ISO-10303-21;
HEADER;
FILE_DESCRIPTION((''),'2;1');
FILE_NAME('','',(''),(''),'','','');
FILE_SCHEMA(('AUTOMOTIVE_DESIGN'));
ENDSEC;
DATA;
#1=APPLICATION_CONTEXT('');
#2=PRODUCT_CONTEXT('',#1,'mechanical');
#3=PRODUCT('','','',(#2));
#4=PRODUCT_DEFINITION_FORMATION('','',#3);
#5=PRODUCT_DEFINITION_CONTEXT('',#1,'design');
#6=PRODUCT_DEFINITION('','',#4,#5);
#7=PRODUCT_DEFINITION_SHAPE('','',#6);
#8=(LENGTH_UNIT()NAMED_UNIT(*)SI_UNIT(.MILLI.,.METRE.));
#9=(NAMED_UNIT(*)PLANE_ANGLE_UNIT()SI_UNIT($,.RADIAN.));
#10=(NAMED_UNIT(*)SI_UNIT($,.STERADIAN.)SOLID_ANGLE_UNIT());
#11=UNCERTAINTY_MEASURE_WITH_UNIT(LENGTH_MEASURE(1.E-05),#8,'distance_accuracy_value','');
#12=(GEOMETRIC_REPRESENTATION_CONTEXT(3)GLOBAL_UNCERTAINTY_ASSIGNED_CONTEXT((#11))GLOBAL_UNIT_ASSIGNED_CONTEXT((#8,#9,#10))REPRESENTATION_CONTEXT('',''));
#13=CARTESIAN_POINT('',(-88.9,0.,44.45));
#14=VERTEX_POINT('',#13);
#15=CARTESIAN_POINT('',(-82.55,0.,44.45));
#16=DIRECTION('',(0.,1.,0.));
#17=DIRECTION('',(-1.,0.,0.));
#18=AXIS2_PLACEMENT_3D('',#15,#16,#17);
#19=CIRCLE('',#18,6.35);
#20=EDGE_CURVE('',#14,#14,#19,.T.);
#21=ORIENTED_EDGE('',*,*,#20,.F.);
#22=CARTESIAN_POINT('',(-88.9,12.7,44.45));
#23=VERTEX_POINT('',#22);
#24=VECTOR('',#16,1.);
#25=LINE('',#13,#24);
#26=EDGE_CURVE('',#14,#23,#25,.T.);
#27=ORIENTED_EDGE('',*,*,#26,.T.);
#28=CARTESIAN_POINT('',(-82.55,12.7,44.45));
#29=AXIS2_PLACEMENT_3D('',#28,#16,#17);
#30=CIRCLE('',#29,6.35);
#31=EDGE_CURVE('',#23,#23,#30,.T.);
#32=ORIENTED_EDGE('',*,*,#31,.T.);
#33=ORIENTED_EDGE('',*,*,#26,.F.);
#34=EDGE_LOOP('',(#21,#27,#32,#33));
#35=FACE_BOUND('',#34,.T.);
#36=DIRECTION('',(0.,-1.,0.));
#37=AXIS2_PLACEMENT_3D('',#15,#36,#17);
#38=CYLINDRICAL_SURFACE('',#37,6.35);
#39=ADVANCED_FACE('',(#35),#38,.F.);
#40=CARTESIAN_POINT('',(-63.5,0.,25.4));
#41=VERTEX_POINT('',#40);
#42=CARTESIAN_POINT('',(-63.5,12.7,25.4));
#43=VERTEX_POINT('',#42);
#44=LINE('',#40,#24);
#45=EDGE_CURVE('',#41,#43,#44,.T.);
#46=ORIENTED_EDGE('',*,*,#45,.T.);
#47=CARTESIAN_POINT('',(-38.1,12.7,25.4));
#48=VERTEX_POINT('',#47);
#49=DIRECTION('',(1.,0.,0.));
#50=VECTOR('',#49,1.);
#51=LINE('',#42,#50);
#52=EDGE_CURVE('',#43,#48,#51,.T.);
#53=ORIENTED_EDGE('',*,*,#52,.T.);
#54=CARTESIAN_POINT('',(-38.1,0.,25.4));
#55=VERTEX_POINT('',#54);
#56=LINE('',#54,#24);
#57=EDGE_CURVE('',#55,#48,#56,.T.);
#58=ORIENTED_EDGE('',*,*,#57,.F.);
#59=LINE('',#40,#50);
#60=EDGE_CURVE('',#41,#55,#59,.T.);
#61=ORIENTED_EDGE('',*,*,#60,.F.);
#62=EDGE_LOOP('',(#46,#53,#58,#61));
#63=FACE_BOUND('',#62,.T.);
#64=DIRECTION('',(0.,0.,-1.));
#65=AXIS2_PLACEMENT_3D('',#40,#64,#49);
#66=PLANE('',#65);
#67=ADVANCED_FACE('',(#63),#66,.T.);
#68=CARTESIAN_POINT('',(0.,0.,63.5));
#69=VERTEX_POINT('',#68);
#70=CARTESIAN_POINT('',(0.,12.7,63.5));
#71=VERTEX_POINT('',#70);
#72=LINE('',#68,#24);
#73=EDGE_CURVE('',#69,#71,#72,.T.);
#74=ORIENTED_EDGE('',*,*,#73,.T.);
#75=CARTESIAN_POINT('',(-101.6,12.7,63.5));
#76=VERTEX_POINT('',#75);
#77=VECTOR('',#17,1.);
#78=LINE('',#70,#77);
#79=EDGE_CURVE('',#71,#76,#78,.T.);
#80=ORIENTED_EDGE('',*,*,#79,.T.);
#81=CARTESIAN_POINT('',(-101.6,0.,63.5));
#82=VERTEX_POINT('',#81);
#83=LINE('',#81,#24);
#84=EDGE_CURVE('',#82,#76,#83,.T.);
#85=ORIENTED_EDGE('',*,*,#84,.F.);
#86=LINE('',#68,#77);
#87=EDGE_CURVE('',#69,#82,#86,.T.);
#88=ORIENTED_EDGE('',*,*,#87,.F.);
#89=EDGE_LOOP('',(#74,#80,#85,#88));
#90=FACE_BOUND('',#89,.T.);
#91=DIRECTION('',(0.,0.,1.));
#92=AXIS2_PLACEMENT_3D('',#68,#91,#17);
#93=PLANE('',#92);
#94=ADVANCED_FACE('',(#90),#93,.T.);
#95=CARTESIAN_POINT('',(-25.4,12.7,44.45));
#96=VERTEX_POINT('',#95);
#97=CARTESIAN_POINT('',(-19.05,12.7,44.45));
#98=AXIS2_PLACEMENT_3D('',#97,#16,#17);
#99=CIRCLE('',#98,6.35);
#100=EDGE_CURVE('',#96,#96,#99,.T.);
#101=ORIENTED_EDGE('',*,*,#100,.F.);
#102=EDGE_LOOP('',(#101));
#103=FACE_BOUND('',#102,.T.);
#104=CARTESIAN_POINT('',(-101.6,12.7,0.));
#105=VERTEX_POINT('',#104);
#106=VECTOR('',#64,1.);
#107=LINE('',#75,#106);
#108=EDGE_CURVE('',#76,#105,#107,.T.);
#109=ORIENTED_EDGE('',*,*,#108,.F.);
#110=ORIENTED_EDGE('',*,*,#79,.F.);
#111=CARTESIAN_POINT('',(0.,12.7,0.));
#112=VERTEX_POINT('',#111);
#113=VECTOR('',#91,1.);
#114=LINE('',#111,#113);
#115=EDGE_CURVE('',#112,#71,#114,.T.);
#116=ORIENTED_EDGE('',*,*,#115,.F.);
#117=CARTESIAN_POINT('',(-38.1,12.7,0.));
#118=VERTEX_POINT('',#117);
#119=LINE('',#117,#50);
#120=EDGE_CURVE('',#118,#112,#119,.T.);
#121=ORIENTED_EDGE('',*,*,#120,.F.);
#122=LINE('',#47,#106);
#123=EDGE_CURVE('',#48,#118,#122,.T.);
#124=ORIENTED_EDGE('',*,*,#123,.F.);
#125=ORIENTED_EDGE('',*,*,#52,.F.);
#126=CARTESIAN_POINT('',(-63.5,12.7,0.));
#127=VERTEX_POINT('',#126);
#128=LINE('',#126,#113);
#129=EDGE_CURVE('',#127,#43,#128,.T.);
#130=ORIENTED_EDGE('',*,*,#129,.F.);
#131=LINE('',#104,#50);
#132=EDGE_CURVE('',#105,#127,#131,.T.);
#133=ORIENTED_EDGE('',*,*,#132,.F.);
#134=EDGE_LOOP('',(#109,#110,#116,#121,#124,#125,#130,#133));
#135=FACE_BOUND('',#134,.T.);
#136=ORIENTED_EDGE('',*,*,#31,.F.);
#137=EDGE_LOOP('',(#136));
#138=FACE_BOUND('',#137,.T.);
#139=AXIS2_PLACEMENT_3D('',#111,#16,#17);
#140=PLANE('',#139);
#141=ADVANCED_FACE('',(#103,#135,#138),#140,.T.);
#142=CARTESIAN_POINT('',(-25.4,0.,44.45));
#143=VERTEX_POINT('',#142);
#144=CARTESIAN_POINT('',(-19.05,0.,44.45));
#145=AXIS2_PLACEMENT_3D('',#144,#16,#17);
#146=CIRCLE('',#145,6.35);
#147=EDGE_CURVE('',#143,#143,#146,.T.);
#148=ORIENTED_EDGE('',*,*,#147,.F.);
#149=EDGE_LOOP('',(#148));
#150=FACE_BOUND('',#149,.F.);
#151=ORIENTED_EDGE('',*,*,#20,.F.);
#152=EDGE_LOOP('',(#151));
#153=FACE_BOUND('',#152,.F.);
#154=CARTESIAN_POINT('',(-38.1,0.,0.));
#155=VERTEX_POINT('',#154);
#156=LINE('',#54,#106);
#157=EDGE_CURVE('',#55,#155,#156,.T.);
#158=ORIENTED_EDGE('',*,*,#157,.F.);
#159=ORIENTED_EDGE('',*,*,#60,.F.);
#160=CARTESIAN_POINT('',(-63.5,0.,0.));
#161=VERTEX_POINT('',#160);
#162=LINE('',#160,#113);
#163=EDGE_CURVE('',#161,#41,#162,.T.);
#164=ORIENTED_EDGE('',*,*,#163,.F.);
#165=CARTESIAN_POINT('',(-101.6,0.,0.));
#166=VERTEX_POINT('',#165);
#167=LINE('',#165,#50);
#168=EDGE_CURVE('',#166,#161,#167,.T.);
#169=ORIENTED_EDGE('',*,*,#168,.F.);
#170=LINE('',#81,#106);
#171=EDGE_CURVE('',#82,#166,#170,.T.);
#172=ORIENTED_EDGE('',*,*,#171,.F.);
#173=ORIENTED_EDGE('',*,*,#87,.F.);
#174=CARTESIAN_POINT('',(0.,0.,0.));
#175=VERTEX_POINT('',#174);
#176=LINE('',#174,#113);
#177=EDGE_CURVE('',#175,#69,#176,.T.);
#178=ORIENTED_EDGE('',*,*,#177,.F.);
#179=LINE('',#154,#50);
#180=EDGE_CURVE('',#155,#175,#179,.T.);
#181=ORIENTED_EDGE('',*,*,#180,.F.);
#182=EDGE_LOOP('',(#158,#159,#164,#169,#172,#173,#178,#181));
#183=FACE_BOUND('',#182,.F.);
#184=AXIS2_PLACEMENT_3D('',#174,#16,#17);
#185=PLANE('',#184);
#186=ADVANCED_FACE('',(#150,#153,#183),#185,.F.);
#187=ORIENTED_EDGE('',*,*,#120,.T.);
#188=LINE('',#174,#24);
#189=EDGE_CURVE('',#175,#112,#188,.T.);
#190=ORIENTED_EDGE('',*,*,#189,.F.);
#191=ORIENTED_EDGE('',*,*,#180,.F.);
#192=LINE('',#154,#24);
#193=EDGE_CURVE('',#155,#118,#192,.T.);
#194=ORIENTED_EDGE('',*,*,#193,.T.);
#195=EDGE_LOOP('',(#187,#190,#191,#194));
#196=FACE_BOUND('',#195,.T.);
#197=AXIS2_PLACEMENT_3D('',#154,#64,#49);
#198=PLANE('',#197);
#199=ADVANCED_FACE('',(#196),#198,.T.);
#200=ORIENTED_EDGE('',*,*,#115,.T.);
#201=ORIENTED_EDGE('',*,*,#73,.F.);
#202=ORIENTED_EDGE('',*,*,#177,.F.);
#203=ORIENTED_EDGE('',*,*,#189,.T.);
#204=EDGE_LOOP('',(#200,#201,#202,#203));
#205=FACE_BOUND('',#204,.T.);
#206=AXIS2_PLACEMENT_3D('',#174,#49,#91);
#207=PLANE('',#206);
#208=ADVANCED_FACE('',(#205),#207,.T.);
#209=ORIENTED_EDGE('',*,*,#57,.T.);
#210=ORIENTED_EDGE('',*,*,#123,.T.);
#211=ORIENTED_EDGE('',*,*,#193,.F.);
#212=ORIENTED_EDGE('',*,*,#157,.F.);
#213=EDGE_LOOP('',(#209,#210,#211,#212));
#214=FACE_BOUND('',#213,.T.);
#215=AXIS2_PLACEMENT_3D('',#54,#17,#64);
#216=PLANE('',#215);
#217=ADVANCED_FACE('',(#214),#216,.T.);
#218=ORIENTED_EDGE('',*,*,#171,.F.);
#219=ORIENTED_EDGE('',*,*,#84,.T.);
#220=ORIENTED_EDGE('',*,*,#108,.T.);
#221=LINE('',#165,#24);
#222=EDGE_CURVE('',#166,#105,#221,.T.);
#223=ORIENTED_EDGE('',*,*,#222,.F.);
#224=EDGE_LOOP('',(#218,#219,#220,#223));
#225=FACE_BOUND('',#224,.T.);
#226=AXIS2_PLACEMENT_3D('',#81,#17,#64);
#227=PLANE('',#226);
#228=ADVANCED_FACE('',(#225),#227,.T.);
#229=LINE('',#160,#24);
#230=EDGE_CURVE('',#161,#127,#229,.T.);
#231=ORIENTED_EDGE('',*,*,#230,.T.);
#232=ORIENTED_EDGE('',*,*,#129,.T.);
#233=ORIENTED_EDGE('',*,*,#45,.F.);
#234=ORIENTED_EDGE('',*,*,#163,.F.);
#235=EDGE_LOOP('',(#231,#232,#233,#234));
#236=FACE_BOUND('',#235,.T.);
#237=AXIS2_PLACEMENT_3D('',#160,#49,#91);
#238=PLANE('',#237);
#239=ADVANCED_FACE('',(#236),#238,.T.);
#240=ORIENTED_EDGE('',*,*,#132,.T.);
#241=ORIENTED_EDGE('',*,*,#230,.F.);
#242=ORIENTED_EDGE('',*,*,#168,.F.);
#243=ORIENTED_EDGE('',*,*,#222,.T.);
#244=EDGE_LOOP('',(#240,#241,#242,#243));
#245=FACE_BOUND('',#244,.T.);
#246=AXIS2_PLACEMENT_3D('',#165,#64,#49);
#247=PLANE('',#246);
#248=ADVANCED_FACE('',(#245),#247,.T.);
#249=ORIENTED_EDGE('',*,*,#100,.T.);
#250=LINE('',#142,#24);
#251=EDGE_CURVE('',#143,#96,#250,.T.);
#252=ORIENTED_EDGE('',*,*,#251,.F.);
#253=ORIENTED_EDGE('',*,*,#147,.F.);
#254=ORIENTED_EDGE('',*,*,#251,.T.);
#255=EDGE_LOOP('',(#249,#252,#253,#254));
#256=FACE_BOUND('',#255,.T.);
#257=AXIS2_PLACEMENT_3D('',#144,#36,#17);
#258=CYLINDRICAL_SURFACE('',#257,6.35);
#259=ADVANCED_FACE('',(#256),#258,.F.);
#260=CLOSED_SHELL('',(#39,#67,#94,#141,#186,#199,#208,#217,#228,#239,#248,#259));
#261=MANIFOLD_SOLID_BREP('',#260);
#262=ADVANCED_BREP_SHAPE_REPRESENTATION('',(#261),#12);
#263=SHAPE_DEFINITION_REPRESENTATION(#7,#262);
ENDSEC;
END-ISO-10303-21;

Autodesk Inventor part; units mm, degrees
ref_plane "YZ Plane" through (0, 0, 0) normal (1, 0, 0) x (0, 1, 0)
ref_plane "XZ Plane" through (0, 0, 0) normal (0, 1, 0) x (-1, 0, 0)
ref_plane "XY Plane" through (0, 0, 0) normal (0, 0, 1) x (1, 0, 0)
sketch "Sketch1" plane through (0, 0, 0) normal (0, 1, 0) x (-1, 0, 0)
  line L0 (0, 0) -> (0, 63.5)
  line L1 (0, 63.5) -> (101.6, 63.5)
  line L2 (101.6, 63.5) -> (101.6, 0)
  line L3 (101.6, 0) -> (63.5, 0)
  line L4 (63.5, 0) -> (63.5, 25.4)
  line L5 (63.5, 25.4) -> (38.1, 25.4)
  line L6 (38.1, 25.4) -> (38.1, 0)
  line L7 (38.1, 0) -> (0, 0)
  circle A0 centre (19.05, 44.45) radius 6.35
  circle A1 centre (82.55, 44.45) radius 6.35
  dimension "d0" = 63.5
  dimension "d1" = 101.6
  dimension "d2" = 38.1
  dimension "d3" = 25.4
  dimension "d4" = 25.4
  dimension "d5" = 25.4
  dimension "d6" = 12.7
  dimension "d7" = 12.7
extrude "Extrusion1" add sketch "Sketch1" along normal blind 12.7
properties part number "P1-2"
